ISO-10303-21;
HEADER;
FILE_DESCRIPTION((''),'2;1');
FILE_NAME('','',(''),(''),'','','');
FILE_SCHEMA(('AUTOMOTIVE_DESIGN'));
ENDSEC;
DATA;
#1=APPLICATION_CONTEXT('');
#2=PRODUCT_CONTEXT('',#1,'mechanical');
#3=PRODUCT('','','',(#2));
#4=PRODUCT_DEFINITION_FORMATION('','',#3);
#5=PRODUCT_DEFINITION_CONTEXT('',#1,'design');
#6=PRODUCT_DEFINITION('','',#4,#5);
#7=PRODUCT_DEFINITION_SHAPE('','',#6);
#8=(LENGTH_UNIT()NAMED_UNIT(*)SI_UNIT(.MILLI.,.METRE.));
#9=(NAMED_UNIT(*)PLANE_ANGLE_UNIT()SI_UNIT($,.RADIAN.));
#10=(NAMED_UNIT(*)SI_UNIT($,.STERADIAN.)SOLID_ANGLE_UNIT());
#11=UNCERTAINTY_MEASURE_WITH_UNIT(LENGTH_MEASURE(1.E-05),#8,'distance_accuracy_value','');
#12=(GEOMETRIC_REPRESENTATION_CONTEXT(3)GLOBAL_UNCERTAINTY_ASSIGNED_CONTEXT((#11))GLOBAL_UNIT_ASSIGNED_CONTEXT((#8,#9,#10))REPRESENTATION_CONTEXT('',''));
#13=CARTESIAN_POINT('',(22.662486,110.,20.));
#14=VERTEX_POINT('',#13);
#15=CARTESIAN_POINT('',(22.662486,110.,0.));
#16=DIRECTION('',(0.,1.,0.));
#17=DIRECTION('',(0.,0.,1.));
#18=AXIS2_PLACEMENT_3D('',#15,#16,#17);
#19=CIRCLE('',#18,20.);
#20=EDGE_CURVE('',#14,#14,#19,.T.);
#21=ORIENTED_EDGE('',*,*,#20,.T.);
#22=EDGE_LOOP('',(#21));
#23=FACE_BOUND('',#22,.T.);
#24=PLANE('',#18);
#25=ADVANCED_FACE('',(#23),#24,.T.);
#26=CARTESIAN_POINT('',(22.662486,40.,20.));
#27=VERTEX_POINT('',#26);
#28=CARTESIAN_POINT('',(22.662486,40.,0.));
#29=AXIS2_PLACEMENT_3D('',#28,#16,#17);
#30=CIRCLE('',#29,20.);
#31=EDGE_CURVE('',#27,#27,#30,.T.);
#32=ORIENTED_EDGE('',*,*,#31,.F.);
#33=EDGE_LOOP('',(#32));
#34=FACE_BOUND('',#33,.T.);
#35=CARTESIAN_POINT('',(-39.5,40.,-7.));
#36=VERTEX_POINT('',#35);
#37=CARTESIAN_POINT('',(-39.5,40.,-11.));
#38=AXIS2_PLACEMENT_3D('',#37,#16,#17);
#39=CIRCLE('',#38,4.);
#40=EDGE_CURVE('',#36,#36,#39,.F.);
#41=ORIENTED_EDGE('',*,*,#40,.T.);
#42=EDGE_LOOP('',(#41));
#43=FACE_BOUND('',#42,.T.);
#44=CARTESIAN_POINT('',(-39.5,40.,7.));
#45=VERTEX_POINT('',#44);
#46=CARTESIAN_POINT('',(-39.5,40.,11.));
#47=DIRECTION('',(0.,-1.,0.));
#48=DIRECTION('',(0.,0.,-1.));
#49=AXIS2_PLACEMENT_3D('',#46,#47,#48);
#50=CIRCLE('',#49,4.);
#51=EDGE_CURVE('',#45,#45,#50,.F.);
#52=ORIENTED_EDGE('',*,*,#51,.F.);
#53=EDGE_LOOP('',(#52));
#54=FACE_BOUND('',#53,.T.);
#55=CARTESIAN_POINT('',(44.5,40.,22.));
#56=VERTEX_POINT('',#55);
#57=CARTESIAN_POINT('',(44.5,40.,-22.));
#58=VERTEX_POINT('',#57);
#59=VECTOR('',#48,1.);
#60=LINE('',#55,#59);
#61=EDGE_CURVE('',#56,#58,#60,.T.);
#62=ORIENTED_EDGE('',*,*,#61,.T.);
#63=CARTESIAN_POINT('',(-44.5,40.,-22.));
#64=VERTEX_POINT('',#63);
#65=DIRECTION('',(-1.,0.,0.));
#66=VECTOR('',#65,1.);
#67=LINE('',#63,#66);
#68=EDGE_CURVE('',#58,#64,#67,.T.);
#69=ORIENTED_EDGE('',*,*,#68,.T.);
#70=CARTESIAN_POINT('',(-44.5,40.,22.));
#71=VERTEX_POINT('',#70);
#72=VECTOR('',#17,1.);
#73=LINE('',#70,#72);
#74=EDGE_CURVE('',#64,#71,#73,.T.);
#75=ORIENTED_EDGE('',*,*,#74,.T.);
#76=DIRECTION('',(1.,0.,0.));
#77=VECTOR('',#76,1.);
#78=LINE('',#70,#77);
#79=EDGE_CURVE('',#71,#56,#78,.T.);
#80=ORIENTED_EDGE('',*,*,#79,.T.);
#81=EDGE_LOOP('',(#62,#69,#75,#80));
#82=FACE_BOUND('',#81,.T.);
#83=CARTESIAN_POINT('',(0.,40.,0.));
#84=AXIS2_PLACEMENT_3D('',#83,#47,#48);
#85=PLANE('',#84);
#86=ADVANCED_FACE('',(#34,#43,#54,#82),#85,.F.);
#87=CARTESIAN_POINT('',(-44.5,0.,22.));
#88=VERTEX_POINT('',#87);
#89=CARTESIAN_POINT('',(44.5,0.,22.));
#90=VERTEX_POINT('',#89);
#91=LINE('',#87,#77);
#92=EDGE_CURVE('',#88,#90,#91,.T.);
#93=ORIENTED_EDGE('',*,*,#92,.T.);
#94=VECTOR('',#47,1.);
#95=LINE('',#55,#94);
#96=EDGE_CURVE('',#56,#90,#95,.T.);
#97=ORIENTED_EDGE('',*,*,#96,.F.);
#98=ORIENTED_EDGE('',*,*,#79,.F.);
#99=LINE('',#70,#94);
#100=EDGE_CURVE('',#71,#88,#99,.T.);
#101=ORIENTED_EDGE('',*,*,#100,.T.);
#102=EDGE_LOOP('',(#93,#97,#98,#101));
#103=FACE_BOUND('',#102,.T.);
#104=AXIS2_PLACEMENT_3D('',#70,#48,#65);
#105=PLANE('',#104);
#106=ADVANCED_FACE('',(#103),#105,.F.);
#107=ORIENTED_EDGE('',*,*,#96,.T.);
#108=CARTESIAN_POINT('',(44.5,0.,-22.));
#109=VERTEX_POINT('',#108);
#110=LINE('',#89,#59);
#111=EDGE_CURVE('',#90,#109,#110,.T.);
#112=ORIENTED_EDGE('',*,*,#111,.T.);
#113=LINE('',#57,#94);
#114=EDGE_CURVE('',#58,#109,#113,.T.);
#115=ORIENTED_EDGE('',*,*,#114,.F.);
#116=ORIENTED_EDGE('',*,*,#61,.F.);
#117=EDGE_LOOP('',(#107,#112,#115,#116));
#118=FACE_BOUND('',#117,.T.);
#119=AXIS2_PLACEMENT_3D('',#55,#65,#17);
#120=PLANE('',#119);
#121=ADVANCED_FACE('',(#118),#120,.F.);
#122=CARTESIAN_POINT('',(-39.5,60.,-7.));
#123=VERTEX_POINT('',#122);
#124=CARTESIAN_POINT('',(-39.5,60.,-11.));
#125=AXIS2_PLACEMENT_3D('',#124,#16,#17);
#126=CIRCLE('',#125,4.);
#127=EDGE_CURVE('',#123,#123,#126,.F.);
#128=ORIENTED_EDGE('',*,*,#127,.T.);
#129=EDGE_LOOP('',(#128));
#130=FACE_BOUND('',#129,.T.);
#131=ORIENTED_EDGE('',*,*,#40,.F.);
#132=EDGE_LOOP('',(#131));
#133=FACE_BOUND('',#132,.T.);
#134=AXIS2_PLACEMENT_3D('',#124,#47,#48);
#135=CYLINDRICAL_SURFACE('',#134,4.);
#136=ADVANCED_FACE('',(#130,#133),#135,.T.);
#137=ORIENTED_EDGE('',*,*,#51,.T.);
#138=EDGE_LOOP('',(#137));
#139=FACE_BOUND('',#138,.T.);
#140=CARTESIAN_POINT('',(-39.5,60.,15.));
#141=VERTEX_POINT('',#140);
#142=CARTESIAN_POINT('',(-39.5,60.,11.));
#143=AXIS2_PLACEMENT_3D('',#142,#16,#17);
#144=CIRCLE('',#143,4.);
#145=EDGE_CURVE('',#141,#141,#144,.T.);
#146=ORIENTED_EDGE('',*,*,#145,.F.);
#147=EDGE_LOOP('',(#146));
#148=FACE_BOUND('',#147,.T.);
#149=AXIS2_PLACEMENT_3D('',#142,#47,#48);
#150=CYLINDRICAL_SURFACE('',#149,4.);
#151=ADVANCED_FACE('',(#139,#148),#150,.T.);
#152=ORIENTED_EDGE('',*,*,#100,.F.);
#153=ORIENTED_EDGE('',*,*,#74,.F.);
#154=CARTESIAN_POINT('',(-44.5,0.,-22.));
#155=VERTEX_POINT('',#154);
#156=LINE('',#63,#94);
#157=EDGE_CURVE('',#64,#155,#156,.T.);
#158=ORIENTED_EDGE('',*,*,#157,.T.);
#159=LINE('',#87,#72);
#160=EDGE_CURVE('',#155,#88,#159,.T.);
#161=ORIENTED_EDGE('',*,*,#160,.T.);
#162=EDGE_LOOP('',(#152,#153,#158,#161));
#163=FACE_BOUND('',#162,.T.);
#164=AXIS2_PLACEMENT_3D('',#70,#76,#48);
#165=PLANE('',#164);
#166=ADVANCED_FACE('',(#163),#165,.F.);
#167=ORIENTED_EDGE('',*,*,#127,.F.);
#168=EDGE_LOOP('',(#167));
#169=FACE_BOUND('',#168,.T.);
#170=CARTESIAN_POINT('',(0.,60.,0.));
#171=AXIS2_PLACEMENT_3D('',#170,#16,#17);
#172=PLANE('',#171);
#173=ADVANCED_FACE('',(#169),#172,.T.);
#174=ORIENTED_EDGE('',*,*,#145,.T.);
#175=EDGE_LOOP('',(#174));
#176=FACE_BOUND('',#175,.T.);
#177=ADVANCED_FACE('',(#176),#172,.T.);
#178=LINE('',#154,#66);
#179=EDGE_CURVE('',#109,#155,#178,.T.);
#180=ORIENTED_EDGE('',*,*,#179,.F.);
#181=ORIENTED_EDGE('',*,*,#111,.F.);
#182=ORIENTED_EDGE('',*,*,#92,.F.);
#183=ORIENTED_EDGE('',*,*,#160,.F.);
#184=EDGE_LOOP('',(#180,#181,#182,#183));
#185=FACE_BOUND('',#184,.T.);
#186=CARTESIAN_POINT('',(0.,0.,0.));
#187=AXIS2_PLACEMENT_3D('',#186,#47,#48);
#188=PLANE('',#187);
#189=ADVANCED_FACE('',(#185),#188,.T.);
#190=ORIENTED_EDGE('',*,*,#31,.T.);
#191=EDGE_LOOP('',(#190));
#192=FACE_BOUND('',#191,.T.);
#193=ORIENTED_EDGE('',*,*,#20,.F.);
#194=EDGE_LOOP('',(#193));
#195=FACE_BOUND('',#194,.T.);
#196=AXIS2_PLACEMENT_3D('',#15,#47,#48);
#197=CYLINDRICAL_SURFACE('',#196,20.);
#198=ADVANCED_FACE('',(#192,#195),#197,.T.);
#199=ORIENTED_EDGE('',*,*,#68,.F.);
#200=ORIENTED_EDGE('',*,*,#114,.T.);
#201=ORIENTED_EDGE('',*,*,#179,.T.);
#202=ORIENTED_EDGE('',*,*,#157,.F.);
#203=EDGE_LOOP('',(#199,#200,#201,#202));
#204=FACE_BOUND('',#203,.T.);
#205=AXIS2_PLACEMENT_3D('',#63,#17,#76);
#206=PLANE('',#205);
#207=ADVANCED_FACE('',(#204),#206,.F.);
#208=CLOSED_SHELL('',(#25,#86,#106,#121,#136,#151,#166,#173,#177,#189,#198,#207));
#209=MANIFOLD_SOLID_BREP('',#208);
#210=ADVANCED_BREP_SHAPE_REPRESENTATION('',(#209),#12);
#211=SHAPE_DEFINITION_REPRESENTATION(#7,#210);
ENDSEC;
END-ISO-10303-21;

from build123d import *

# Parameters (mm, degrees)
SKETCH3_W           = 89
SKETCH3_H           = 44
BOSS_EXTRUDE1_DEPTH = 40
SKETCH4_R           = 20
BOSS_EXTRUDE2_DEPTH = 70
SKETCH5_R           = 4
BOSS_EXTRUDE3_DEPTH = 20


with BuildPart() as part:
    # Sketch3 → Boss-Extrude1 (new body)
    with BuildSketch(Plane(origin=(0, 0, 0), x_dir=(1, 0, 0), z_dir=(0, 1, 0))):
        Rectangle(SKETCH3_W, SKETCH3_H)
    extrude(amount=BOSS_EXTRUDE1_DEPTH)

    # Sketch4 → Boss-Extrude2 (add)
    with BuildSketch(Plane(origin=(0, 40, 0), x_dir=(1, 0, 0), z_dir=(0, 1, 0))):
        with Locations((22.662485516, 0)):
            Circle(SKETCH4_R)
    extrude(amount=BOSS_EXTRUDE2_DEPTH)

    # Sketch5 → Boss-Extrude3 (add)
    with BuildSketch(Plane(origin=(0, 40, 0), x_dir=(1, 0, 0), z_dir=(0, 1, 0))):
        with Locations((-39.5, -11)):
            Circle(SKETCH5_R)
        with Locations((-39.5, 11)):
            Circle(SKETCH5_R)
    extrude(amount=BOSS_EXTRUDE3_DEPTH)


solid = part.part
